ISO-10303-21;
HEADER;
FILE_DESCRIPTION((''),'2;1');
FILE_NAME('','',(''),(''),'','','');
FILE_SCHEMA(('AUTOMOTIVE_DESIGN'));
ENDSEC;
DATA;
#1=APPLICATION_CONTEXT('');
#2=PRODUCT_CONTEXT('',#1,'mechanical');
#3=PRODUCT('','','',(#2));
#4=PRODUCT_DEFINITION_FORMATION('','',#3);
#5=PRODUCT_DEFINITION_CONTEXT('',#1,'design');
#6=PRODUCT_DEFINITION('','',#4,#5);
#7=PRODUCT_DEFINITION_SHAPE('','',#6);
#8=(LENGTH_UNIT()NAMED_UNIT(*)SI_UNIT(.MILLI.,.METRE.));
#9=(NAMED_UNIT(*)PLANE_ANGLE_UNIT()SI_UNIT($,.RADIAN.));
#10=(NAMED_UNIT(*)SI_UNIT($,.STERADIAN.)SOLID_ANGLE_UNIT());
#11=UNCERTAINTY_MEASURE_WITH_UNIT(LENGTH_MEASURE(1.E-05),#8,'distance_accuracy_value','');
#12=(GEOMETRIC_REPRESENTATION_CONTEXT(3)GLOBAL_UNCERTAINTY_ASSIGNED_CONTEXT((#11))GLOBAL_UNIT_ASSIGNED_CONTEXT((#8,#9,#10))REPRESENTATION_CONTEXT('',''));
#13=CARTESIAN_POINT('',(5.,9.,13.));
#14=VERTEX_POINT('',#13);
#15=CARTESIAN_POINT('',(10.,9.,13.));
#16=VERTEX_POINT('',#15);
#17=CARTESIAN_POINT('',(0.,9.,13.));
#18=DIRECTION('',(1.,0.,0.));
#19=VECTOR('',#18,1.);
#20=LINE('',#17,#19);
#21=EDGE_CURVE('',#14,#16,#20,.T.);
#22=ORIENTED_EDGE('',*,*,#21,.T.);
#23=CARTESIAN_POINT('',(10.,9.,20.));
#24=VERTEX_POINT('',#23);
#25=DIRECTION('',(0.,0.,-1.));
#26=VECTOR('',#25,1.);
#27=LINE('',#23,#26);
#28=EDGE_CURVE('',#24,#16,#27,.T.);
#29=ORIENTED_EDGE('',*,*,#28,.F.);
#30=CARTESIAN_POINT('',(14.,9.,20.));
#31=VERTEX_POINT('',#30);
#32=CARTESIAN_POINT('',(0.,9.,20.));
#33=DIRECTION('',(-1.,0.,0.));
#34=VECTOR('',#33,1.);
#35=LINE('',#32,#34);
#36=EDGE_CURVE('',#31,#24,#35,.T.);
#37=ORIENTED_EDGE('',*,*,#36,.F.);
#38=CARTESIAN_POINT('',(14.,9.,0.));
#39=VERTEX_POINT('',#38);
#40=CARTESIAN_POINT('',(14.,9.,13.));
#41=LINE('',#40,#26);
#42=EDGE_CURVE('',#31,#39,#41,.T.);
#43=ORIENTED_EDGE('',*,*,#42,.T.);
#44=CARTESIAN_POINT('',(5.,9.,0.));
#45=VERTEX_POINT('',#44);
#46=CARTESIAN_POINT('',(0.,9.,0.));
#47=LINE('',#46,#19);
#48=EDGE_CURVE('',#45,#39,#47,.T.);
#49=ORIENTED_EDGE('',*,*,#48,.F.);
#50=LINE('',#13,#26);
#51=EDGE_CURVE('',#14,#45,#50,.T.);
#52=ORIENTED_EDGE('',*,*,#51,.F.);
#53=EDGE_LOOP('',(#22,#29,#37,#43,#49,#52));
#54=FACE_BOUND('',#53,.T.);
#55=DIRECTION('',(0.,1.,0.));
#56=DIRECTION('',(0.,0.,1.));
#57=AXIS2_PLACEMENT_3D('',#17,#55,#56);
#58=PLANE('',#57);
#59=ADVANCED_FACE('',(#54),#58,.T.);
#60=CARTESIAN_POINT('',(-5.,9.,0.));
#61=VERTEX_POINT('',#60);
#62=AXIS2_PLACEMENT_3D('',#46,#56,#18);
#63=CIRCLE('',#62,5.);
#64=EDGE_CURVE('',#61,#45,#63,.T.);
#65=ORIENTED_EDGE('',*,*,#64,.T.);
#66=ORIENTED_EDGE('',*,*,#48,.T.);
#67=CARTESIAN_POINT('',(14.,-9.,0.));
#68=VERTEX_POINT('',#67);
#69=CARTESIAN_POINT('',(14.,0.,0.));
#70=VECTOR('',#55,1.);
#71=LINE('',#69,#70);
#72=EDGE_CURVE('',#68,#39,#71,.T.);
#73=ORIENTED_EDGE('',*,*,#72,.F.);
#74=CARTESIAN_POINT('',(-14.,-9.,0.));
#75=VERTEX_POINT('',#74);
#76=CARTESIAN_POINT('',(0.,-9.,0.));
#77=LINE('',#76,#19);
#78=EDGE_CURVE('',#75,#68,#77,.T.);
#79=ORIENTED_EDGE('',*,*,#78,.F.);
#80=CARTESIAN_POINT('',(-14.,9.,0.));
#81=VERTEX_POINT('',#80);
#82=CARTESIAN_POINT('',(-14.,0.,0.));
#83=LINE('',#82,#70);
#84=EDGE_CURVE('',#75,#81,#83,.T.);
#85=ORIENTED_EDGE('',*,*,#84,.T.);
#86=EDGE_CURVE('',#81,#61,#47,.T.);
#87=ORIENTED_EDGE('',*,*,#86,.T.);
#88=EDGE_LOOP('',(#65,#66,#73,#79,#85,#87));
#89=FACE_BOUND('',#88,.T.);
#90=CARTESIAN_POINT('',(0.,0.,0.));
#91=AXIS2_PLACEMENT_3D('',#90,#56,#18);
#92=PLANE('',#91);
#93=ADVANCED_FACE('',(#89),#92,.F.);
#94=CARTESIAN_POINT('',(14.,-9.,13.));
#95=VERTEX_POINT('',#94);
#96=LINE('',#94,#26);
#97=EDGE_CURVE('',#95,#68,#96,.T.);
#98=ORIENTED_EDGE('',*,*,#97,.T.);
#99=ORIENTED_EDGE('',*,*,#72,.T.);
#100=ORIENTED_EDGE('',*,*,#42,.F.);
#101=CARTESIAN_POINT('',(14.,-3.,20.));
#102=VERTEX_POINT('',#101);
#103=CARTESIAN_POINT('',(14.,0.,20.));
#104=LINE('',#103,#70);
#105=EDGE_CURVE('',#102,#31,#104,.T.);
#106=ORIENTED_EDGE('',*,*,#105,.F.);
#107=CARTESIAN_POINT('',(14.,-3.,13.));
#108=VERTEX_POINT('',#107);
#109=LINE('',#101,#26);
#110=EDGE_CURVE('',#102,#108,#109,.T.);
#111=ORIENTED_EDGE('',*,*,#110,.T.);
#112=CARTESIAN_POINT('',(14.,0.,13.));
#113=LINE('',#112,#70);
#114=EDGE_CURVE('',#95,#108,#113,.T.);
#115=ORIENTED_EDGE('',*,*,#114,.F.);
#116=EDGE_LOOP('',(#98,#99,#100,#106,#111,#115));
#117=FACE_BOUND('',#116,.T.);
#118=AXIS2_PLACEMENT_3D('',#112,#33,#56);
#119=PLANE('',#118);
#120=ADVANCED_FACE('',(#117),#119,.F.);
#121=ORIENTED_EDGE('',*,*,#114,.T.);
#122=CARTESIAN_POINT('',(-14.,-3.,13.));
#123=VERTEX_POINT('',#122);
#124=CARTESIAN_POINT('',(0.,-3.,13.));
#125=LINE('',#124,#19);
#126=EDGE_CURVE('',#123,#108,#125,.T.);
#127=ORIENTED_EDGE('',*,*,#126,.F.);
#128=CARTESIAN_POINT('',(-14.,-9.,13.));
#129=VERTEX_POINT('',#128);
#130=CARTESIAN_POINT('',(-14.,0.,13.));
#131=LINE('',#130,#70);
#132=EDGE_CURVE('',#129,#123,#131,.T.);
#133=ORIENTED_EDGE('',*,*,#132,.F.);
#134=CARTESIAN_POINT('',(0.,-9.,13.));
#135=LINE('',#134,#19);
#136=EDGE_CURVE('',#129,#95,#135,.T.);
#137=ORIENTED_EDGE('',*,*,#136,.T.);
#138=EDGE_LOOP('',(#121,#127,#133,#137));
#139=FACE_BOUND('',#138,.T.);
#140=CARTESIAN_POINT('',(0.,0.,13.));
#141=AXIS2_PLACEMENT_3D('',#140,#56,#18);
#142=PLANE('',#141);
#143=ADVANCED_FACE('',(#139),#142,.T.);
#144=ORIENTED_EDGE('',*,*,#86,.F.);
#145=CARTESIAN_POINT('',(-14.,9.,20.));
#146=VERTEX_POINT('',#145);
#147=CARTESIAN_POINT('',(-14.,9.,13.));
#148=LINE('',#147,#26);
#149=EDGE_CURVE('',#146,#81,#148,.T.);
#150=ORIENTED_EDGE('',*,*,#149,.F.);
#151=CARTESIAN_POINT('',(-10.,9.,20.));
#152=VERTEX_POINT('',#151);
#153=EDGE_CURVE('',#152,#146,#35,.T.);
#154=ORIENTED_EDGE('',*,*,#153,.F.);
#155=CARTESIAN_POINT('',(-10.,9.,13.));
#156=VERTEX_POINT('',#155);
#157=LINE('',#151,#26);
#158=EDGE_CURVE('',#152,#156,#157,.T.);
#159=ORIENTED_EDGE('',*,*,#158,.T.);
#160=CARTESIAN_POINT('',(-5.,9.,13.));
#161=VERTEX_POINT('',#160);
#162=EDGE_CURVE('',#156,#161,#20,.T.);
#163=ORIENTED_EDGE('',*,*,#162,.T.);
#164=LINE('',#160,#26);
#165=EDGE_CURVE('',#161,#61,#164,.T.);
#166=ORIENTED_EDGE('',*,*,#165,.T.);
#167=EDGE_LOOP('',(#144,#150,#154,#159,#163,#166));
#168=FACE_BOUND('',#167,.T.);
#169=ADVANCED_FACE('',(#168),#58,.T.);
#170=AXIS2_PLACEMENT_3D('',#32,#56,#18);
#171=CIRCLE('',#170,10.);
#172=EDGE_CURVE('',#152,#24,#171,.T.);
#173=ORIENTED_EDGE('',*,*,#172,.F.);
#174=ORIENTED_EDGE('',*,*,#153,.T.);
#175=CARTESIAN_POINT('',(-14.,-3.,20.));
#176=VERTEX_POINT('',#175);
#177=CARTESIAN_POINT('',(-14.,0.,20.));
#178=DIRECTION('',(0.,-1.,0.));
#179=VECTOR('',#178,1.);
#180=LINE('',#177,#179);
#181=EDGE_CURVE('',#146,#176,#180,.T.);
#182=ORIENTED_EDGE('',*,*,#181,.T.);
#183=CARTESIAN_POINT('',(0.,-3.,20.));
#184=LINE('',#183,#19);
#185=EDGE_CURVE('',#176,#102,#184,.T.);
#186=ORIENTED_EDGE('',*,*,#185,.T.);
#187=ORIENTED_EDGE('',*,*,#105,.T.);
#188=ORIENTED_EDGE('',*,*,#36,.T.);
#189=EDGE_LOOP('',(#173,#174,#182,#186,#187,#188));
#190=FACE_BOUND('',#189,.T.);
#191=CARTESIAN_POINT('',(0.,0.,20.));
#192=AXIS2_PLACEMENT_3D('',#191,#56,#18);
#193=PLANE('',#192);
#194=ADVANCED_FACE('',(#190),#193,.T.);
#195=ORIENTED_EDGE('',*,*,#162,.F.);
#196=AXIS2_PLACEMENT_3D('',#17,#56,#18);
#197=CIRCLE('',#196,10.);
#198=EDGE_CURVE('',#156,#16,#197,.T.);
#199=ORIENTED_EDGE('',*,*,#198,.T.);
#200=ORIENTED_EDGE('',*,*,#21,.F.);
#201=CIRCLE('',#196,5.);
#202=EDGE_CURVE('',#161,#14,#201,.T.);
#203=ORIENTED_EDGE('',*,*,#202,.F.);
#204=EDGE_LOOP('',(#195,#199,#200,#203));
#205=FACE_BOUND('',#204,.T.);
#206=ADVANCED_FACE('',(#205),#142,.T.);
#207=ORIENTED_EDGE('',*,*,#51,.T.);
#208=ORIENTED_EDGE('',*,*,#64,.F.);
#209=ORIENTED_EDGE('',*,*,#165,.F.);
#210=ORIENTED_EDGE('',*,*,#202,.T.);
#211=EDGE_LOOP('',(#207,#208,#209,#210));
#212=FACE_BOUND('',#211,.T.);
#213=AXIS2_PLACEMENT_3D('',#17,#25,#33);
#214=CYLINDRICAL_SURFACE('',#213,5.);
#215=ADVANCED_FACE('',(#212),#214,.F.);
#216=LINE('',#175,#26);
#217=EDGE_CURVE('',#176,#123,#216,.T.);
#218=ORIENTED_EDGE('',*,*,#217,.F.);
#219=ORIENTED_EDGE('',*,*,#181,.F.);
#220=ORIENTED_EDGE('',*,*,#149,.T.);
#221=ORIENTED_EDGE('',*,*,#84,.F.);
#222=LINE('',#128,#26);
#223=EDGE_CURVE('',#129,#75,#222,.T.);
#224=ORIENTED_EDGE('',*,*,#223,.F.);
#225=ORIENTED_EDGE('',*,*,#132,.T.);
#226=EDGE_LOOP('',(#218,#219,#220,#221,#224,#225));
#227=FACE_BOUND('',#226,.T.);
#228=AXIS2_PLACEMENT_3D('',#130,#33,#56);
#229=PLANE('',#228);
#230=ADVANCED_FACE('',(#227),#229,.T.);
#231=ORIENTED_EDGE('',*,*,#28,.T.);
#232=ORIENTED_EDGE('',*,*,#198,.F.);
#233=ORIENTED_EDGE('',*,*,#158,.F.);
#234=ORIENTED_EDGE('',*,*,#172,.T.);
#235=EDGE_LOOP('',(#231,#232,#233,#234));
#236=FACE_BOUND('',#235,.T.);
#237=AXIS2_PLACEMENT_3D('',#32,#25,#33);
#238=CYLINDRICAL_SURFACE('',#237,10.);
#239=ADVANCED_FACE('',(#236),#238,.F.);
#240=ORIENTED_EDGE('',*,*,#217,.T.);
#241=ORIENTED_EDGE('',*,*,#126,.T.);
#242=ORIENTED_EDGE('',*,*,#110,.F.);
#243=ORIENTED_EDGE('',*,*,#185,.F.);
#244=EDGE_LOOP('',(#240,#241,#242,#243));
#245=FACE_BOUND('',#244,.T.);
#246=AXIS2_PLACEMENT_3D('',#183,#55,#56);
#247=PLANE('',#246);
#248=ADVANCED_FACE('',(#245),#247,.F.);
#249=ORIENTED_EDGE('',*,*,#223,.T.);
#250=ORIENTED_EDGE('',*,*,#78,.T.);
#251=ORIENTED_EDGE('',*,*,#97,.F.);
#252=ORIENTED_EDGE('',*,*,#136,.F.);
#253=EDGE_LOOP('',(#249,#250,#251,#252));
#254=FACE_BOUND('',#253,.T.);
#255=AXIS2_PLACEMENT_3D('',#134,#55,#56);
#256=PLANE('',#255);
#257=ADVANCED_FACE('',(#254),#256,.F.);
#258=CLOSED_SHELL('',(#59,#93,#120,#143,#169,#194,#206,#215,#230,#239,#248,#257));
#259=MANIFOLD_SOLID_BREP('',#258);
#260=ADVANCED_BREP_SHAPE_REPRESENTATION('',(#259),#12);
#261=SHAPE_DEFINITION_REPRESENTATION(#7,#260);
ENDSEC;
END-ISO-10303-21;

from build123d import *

# Parameters (mm, degrees)
EXTRUDE_3_DEPTH = 13
SKETCH_5_4_W    = 28
SKETCH_5_4_H    = 10.634799235
EXTRUDE_4_DEPTH = 13
EXTRUDE_5_DEPTH = 7


with BuildPart() as part:
    # 草图5 → 凸台-拉伸3 (new body)
    with BuildSketch(Plane.XY):
        with BuildLine():
            Line((14, 9), (5, 9))
            ThreePointArc((5, 9), (0, 4), (-5, 9))
            Line((-5, 9), (-14, 9))
            Line((-14, 9), (-14, 1.634799235))
            Line((-14, 1.634799235), (14, 1.634799235))
            Line((14, 1.634799235), (14, 9))
        make_face()
    extrude(amount=EXTRUDE_3_DEPTH)



with BuildPart() as body_2:
    # 草图5<4> → 凸台-拉伸4 (new body)
    with BuildSketch(Plane.XY):
        with Locations((0, -3.682600382)):
            Rectangle(SKETCH_5_4_W, SKETCH_5_4_H)
    extrude(amount=EXTRUDE_4_DEPTH)


with BuildPart() as part_1:
    add(part.part)

    add(body_2.part)  # 凸台-拉伸5 merges body 2
    # 草图6 → 凸台-拉伸5 (add)
    with BuildSketch(Plane.XY.offset(13)):
        with BuildLine():
            Line((-10, 9), (-14, 9))
            Line((-14, 9), (-14, -3))
            Line((-14, -3), (14, -3))
            Line((14, -3), (14, 9))
            Line((14, 9), (10, 9))
            ThreePointArc((10, 9), (0, -1), (-10, 9))
        make_face()
    extrude(amount=EXTRUDE_5_DEPTH)


solid = part_1.part
